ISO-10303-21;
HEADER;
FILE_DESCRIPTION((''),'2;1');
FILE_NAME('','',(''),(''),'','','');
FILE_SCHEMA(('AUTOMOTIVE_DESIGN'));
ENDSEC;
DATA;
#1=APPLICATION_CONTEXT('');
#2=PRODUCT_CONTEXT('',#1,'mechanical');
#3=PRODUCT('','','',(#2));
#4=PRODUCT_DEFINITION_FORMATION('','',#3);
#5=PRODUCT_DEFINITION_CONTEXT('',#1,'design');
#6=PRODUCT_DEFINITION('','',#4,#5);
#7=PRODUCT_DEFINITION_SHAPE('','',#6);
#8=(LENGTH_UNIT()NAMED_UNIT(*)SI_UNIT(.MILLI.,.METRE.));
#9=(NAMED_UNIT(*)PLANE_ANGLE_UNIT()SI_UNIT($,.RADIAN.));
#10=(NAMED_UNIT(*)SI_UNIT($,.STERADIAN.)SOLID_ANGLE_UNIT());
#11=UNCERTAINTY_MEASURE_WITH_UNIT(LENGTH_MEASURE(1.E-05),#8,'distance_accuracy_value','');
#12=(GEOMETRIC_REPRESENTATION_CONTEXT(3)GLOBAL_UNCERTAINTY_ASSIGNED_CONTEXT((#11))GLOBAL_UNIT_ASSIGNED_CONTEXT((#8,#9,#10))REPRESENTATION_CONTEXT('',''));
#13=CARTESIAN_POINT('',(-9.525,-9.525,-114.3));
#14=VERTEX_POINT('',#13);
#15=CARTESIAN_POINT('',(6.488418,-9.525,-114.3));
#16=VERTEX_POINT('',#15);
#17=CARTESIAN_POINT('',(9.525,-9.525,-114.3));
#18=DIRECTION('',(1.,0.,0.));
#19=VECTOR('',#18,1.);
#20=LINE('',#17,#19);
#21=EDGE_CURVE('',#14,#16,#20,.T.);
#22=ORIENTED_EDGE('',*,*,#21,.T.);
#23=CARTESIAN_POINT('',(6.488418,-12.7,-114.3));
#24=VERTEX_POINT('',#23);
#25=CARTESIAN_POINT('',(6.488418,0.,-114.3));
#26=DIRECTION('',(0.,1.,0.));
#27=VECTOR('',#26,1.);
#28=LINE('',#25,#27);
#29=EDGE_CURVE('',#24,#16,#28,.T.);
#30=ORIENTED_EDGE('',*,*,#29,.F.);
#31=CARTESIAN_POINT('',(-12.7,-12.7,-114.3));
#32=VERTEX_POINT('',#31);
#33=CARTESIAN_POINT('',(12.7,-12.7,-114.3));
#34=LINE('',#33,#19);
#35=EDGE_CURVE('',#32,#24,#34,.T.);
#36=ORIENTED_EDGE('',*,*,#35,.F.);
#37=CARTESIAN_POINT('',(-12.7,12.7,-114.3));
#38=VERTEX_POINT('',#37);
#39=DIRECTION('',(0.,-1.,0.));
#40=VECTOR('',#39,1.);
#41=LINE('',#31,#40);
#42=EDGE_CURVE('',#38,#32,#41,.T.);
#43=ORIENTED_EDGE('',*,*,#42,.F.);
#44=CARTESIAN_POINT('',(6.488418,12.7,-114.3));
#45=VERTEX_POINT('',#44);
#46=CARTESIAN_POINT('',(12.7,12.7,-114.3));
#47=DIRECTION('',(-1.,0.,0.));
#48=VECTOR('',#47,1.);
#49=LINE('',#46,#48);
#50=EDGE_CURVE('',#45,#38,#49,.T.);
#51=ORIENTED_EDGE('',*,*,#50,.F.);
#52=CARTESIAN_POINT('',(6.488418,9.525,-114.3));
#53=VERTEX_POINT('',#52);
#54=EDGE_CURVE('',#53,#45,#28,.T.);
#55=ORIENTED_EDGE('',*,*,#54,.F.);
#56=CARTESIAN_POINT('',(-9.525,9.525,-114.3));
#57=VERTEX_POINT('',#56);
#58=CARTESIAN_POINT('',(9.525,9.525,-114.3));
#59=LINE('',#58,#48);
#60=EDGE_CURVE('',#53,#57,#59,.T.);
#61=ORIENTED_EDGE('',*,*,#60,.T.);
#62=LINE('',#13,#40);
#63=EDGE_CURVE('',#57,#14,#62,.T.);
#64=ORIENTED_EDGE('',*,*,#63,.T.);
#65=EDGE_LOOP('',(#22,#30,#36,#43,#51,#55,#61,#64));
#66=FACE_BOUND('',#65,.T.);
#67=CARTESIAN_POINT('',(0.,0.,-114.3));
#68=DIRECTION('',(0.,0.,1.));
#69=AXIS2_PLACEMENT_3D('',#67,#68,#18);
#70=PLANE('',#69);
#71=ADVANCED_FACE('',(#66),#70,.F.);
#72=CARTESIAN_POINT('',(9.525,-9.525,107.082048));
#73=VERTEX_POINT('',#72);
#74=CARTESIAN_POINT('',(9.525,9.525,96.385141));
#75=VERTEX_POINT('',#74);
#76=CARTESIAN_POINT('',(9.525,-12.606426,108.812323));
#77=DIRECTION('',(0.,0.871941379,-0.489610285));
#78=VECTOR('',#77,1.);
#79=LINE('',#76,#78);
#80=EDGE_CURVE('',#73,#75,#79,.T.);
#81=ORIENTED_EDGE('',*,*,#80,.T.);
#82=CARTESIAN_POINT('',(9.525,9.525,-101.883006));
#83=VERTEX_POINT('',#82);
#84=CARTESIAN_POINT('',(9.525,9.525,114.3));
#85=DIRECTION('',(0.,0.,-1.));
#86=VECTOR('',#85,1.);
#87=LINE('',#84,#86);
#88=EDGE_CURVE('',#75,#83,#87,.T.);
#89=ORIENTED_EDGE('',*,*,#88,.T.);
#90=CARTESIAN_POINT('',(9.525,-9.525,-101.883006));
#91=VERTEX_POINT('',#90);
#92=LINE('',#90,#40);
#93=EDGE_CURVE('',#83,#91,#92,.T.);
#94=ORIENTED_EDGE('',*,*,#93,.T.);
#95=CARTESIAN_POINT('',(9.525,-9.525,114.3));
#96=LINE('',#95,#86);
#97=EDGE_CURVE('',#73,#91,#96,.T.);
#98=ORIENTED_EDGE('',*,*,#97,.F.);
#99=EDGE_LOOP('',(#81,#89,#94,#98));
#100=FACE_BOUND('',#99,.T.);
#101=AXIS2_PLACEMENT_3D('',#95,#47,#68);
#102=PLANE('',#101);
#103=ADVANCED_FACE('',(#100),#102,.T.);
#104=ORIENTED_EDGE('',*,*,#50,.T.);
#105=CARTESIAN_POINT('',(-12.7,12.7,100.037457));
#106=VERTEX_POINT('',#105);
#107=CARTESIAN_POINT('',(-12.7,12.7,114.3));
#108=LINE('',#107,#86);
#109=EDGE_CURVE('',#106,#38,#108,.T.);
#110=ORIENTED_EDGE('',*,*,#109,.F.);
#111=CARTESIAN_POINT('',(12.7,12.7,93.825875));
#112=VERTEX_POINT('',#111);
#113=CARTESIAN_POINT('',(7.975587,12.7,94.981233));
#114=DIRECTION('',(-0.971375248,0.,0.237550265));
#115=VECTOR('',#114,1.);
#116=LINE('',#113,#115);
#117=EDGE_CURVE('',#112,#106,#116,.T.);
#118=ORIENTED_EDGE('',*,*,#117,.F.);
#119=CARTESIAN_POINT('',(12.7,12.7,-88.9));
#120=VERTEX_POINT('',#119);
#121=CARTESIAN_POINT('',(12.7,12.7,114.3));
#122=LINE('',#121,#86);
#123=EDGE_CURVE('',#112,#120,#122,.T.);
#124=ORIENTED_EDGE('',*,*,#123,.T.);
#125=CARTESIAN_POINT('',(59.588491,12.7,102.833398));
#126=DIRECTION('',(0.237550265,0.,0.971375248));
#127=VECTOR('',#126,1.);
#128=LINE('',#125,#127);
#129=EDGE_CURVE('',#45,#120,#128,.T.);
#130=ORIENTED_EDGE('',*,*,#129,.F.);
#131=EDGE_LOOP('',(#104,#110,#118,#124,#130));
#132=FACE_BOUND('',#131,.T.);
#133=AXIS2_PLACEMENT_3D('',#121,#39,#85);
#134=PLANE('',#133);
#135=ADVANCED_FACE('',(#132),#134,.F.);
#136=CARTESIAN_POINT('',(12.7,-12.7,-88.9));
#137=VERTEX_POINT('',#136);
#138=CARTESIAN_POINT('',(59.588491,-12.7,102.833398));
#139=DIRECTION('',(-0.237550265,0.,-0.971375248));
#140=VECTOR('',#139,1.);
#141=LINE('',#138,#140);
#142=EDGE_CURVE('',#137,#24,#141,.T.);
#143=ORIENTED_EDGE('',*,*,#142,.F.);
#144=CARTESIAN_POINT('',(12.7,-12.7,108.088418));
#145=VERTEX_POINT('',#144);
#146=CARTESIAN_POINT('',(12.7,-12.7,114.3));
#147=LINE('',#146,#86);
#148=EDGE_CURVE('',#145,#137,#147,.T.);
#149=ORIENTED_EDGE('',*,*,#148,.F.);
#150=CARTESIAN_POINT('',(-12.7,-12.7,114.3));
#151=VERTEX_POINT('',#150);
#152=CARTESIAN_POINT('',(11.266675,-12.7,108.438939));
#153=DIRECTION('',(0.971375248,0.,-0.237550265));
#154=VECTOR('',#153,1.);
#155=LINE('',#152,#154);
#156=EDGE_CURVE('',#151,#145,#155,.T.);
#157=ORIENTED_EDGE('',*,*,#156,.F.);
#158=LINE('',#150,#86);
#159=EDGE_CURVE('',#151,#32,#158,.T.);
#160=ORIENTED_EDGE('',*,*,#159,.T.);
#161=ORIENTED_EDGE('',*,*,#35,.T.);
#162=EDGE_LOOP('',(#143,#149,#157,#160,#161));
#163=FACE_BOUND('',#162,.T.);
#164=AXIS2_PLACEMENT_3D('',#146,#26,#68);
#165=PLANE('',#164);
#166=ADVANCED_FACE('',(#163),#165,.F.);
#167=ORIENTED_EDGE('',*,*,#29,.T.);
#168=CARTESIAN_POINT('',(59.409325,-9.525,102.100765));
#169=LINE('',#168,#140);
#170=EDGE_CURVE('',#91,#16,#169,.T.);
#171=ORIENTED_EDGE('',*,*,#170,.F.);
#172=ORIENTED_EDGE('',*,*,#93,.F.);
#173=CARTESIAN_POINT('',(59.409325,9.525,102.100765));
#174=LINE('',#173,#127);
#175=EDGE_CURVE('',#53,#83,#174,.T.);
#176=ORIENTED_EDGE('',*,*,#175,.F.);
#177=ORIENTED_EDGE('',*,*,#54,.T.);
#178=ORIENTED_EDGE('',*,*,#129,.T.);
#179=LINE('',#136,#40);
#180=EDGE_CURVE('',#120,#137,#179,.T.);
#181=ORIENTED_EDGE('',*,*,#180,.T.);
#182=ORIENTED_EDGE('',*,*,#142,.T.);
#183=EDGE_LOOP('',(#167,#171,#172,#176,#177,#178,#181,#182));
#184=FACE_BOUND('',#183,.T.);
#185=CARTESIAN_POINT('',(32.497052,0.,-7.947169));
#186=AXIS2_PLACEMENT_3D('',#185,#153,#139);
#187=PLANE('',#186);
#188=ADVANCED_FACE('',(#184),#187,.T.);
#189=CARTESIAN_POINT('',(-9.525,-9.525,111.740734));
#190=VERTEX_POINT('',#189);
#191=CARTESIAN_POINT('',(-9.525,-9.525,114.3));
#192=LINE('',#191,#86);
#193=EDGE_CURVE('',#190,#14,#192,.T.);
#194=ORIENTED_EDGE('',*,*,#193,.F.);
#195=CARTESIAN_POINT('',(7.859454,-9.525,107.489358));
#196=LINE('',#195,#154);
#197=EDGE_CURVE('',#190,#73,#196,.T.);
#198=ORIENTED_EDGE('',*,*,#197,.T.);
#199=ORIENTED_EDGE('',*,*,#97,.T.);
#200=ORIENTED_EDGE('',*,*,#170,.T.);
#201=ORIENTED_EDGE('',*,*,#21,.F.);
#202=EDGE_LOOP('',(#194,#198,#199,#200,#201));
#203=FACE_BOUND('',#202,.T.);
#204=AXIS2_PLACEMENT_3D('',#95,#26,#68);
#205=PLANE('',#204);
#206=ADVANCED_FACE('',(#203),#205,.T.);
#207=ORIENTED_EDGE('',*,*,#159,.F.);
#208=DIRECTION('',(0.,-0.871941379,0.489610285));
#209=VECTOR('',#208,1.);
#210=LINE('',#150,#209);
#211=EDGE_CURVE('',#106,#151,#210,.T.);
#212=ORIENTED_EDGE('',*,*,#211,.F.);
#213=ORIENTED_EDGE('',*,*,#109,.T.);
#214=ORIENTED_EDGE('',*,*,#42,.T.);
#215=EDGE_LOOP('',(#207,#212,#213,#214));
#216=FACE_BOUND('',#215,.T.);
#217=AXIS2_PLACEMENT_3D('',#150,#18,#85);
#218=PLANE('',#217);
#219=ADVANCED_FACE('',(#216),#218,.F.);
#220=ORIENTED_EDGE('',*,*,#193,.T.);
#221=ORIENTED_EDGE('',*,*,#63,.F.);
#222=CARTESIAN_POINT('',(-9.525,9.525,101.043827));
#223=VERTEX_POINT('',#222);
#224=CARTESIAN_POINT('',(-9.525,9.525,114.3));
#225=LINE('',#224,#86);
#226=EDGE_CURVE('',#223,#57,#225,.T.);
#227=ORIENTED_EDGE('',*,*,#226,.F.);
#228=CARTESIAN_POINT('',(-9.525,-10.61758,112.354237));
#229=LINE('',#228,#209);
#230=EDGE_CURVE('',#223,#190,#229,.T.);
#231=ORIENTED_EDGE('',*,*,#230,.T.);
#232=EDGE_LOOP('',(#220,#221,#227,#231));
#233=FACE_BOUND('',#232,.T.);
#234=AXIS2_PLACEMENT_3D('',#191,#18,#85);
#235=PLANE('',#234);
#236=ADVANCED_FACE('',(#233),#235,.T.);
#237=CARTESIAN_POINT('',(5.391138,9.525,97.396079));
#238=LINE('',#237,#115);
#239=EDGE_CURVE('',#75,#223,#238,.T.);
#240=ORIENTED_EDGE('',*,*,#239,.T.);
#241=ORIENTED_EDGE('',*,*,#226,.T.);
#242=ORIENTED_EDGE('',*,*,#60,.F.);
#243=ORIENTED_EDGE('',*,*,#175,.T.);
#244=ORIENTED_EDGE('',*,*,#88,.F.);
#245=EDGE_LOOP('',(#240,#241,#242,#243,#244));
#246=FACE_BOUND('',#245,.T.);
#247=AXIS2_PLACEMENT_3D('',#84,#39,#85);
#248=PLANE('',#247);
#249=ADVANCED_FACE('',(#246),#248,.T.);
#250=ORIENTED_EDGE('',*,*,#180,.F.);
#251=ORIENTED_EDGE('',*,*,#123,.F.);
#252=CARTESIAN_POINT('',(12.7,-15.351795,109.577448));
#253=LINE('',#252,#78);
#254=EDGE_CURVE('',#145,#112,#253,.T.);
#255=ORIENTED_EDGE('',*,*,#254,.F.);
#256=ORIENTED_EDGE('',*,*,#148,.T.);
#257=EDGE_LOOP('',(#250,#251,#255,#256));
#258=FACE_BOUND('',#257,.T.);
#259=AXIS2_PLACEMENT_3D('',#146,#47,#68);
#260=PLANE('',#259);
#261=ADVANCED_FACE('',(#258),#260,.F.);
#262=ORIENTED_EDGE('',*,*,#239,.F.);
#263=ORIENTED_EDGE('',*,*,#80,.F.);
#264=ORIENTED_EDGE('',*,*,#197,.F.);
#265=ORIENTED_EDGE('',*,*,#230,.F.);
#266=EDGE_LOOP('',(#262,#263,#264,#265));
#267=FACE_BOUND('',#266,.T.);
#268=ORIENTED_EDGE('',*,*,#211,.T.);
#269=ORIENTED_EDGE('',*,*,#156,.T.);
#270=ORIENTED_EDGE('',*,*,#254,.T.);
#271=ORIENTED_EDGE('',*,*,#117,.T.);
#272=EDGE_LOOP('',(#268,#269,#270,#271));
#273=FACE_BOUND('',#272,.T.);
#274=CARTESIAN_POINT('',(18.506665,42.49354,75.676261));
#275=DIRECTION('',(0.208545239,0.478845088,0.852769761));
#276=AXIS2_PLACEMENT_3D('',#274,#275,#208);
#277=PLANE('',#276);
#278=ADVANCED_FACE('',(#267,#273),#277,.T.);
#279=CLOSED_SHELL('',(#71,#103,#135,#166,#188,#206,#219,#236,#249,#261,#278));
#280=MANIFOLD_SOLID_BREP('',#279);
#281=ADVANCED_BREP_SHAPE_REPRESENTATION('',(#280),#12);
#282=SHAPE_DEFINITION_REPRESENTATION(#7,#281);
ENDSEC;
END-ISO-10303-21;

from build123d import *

# Parameters (mm, degrees)
BOSS_EXTRUDE1_DEPTH      = 114.3
BOSS_EXTRUDE1_DEPTH_BACK = 114.3
SKETCH3_W                = 25.4
SKETCH3_H                = 25.4
SKETCH3_W_2              = 19.05
SKETCH3_H_2              = 19.05


with BuildPart() as part:
    # Sketch3 → Boss-Extrude1 (new, two sides: drawn at the far end of the back side and taken through both)
    with BuildSketch(Plane.XY.offset(-BOSS_EXTRUDE1_DEPTH_BACK)):
        Rectangle(SKETCH3_W, SKETCH3_H)
        Rectangle(SKETCH3_W_2, SKETCH3_H_2, mode=Mode.SUBTRACT)
    extrude(amount=BOSS_EXTRUDE1_DEPTH + BOSS_EXTRUDE1_DEPTH_BACK)

    # SurfaceCut2
    split(bisect_by=Plane(origin=(18.506664542, 42.493539826, 75.67626096), x_dir=(0.9713752475559996, 0, -0.2375502650714591), z_dir=(0.20854523863616634, 0.47884508758591265, 0.8527697611530466)), keep=Keep.BOTTOM)

    # SurfaceCut4
    split(bisect_by=Plane(origin=(32.497052155, 0, -7.947169102), x_dir=(0, 1, 0), z_dir=(0.9713752475559998, 0, -0.23755026507145854)), keep=Keep.BOTTOM)


solid = part.part
